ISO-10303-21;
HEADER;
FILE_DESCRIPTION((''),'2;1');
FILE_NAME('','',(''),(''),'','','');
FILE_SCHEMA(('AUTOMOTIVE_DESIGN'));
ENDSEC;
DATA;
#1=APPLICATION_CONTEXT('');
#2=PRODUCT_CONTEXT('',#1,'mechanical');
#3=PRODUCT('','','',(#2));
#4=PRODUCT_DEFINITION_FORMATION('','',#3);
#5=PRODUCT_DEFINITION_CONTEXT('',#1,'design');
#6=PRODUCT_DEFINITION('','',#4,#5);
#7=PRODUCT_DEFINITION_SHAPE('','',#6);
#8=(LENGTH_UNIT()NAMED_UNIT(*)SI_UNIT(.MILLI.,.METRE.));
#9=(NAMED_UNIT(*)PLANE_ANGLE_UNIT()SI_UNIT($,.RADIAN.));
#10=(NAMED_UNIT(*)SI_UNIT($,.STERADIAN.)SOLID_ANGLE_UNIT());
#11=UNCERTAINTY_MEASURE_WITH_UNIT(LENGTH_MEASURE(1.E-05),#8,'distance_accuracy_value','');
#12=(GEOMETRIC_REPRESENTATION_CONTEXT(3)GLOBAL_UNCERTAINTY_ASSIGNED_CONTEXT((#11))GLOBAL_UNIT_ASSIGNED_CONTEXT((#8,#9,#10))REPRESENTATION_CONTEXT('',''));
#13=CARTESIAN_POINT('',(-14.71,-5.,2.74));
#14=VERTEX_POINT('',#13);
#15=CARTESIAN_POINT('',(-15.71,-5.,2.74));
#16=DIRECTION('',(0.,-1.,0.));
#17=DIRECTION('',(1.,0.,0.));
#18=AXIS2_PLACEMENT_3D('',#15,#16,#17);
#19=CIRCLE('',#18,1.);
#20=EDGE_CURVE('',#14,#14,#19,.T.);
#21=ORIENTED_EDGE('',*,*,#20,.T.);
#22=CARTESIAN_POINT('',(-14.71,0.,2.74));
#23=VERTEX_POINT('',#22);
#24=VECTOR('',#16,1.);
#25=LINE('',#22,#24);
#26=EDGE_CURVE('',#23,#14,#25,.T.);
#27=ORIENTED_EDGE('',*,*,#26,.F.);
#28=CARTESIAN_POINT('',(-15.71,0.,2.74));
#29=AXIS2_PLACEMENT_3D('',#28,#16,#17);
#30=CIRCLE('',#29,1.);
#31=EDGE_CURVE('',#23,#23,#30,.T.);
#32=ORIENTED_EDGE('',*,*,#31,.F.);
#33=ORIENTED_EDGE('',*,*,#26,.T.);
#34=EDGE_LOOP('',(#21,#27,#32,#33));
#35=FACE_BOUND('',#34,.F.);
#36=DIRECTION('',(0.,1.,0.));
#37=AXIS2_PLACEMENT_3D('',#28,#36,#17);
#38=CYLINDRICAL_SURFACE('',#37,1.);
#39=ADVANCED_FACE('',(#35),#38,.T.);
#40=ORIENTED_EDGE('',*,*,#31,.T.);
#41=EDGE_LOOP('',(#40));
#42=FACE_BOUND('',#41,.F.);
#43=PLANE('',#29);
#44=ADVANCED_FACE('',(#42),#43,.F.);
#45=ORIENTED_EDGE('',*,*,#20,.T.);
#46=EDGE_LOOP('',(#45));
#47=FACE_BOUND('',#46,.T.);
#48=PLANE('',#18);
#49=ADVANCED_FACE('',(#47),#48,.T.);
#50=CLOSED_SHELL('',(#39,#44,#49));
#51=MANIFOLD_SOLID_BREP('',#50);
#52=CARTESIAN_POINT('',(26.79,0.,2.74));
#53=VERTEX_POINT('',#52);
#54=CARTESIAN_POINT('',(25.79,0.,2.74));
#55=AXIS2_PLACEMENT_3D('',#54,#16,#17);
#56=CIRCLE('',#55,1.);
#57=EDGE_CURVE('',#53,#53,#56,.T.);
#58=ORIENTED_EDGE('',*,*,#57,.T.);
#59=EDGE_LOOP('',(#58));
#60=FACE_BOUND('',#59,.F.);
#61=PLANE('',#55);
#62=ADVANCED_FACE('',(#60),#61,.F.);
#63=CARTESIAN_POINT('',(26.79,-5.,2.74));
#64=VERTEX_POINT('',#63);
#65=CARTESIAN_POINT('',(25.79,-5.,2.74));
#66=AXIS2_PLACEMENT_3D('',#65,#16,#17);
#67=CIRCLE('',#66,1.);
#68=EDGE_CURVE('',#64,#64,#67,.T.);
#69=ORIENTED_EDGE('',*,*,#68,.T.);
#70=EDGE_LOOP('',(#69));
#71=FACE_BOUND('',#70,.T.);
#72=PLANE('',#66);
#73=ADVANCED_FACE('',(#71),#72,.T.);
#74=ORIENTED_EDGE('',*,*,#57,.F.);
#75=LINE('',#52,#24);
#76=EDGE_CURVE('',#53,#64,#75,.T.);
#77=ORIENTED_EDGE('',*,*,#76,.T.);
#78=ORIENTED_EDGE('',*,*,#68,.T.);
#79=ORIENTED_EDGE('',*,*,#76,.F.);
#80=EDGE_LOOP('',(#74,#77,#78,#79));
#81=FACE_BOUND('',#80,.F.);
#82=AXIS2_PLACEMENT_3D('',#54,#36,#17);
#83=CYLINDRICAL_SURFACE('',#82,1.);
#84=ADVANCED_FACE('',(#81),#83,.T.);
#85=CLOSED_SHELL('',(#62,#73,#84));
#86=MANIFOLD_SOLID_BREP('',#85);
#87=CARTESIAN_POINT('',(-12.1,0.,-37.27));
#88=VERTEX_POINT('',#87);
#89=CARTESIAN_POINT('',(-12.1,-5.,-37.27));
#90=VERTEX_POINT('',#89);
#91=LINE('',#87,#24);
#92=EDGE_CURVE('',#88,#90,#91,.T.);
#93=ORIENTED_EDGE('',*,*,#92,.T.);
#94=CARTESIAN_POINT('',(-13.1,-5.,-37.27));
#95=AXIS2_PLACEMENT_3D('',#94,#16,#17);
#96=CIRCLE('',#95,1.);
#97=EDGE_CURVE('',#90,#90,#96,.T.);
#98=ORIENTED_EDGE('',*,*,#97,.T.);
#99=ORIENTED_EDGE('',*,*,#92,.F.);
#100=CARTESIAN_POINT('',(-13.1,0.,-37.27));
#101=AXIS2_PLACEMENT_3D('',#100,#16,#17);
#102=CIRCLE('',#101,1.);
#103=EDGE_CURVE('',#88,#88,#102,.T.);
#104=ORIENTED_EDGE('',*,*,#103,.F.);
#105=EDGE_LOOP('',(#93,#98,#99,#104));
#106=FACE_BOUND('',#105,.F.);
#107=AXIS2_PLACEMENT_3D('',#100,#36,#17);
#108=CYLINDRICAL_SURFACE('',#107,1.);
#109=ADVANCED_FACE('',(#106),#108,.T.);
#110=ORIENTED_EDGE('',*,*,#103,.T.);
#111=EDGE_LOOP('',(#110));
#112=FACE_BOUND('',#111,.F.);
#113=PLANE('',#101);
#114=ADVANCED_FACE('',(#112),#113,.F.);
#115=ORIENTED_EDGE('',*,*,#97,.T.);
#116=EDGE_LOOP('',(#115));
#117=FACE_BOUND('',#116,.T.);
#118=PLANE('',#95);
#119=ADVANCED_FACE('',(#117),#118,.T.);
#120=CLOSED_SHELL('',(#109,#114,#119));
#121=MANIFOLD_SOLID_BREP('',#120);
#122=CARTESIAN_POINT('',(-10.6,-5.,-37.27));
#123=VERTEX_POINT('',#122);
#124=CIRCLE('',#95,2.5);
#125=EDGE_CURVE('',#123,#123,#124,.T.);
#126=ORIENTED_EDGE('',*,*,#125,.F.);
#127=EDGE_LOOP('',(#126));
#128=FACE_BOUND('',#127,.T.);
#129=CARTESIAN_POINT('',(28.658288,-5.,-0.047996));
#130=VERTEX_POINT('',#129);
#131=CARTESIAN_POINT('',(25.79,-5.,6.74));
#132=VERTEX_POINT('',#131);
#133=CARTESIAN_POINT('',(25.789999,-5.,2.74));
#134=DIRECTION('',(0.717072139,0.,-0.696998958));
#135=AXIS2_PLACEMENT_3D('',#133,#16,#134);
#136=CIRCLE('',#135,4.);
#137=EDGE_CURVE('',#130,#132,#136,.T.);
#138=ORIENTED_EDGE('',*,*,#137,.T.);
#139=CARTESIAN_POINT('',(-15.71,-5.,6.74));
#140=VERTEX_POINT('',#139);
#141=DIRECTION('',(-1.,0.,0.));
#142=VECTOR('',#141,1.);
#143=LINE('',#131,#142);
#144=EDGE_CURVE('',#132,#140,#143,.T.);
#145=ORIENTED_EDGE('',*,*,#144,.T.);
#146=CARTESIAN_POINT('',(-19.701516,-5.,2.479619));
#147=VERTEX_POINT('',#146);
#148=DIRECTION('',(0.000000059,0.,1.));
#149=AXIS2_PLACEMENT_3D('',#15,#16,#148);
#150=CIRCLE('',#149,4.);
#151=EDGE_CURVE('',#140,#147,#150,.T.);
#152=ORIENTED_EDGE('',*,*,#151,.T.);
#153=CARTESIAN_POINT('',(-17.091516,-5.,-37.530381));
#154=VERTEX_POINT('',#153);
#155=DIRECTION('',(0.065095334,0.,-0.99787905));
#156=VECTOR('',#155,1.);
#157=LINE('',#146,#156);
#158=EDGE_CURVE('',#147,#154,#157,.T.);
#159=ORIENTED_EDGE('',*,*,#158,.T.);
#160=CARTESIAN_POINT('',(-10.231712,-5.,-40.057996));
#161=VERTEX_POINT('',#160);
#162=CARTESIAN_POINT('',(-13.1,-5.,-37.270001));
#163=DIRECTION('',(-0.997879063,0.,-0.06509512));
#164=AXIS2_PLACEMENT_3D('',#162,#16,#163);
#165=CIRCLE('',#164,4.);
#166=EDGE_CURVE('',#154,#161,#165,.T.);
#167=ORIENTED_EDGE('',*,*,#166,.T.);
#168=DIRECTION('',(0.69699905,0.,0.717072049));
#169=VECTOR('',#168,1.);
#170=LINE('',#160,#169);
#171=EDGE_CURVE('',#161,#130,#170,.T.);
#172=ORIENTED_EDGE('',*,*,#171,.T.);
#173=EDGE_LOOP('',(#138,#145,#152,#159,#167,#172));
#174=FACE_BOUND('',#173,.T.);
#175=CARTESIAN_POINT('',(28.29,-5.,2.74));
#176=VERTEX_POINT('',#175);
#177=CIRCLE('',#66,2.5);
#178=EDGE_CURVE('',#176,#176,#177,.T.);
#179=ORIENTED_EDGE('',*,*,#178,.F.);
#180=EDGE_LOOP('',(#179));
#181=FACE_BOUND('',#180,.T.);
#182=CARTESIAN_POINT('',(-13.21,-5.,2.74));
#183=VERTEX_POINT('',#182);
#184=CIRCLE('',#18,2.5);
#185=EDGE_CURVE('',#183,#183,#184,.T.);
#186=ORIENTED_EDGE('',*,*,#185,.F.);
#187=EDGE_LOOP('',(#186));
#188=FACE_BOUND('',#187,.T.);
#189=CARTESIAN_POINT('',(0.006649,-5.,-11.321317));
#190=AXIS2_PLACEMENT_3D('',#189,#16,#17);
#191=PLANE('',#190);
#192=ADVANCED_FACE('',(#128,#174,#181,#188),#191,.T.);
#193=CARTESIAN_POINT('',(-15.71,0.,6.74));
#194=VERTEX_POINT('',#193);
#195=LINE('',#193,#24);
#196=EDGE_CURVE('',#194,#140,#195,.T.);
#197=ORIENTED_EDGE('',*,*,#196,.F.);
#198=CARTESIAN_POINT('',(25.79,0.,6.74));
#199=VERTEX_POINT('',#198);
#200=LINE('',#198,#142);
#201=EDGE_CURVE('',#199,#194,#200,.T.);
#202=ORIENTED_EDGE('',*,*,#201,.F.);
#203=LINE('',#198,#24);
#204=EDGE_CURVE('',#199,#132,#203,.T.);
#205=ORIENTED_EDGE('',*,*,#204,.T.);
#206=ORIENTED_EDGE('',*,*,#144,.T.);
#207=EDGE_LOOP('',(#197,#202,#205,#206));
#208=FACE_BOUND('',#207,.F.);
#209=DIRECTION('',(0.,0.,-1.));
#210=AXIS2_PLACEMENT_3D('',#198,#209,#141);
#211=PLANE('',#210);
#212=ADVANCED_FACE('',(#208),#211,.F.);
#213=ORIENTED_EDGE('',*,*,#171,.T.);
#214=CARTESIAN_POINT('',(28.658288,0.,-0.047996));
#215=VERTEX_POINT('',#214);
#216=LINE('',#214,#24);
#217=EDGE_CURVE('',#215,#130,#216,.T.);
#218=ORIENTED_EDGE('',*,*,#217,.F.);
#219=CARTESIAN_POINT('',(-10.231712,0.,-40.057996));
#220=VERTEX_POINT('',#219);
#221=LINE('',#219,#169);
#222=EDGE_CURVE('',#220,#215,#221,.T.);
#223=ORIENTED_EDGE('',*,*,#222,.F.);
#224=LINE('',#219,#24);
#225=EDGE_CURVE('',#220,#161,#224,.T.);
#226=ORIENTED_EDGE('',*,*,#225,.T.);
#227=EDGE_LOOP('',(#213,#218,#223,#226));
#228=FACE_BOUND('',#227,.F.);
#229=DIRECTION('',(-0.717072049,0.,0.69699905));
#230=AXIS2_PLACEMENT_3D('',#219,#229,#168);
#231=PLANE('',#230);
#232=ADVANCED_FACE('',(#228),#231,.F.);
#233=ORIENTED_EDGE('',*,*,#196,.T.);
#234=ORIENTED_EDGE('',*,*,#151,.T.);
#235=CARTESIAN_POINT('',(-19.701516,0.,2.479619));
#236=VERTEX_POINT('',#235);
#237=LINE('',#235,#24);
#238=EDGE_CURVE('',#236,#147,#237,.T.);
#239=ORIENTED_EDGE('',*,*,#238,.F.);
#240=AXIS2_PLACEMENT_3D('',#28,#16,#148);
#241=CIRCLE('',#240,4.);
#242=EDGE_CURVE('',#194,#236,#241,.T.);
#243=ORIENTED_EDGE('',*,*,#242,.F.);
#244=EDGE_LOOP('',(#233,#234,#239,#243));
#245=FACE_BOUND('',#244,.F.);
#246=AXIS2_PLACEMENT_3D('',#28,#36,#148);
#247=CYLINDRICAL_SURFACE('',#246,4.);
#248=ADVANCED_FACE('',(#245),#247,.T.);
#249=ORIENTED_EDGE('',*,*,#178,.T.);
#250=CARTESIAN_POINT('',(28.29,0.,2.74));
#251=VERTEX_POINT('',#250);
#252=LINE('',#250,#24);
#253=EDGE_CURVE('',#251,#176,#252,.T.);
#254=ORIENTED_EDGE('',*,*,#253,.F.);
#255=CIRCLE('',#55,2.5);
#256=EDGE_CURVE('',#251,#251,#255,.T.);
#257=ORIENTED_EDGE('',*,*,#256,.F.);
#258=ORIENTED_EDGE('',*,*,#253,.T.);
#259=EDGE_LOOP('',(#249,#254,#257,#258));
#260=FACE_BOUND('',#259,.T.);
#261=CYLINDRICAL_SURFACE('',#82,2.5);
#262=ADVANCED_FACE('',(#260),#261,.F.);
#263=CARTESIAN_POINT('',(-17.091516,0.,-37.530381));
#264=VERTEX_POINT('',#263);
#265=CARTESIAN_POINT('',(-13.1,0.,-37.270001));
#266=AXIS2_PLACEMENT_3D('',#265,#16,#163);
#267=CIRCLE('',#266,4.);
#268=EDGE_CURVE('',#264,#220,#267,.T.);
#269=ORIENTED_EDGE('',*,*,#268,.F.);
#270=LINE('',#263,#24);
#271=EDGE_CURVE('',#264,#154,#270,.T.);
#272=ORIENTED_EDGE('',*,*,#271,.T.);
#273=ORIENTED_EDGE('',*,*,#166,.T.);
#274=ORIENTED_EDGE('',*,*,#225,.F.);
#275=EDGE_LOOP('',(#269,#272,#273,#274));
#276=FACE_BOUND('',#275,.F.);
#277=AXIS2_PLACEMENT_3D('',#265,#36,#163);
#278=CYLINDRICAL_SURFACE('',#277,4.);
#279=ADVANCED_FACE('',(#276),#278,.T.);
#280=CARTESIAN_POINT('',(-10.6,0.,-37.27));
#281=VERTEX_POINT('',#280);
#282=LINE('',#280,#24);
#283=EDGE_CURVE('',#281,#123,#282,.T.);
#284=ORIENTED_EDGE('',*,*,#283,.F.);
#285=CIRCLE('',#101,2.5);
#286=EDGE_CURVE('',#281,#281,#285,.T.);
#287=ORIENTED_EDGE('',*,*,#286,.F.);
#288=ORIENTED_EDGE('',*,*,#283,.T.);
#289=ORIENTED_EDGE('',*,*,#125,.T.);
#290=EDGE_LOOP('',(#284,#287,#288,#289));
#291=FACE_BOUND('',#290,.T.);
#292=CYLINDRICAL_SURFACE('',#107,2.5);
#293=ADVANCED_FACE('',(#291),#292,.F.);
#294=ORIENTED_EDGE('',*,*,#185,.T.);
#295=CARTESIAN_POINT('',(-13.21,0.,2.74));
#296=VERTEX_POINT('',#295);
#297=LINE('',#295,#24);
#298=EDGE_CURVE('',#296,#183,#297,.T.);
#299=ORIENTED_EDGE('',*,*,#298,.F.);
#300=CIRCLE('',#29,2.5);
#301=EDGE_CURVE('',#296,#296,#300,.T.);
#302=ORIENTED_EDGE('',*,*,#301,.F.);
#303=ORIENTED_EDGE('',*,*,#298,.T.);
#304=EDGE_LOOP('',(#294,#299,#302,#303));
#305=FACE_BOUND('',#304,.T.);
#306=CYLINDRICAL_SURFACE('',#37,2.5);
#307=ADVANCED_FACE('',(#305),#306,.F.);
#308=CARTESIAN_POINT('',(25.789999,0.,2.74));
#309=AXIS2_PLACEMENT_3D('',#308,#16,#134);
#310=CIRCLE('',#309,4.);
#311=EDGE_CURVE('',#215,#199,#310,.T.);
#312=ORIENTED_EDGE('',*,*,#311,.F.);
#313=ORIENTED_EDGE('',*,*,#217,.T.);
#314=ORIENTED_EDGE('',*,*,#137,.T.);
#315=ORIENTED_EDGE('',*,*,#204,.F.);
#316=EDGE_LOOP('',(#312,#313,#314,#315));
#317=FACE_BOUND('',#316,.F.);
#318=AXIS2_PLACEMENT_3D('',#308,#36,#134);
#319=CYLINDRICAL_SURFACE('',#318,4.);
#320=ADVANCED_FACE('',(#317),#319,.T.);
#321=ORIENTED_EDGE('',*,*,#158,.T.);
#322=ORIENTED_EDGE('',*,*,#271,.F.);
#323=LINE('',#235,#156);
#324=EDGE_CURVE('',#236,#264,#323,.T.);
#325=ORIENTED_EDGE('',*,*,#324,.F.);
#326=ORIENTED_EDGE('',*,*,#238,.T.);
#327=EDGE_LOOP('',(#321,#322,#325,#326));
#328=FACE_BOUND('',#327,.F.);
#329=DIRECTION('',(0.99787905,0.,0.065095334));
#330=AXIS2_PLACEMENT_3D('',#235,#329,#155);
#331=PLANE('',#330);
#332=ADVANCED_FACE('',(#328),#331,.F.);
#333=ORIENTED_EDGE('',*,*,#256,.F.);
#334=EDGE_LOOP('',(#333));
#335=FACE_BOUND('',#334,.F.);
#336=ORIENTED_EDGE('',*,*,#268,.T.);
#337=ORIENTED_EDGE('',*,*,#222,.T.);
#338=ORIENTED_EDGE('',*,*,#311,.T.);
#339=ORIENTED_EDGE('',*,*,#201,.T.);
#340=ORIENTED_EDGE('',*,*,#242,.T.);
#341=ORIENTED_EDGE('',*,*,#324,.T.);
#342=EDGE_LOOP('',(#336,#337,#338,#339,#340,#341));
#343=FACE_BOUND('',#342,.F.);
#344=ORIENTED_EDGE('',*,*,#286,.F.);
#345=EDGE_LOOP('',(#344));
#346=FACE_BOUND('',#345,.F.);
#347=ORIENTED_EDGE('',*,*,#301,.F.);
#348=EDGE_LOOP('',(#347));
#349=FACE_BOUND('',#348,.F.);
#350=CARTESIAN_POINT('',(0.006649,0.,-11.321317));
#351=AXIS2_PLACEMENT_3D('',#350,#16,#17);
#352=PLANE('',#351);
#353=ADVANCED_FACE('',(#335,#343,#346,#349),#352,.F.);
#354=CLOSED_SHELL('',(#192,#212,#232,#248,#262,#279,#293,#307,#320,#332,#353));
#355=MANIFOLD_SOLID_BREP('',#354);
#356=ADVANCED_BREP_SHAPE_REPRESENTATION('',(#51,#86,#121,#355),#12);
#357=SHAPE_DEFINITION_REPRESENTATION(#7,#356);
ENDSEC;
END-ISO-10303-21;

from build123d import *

# Parameters (mm, degrees)
F0_R     = 2.5
F0_R_2   = 1
F1_DEPTH = 5


with BuildPart() as f1:
    # F0 (on Front) → F1 (new body)
    with BuildSketch(Plane.XZ):
        with BuildLine():
            Line((25.79, 6.74), (-15.71, 6.74))
            ThreePointArc((-15.71, 6.74), (-18.629035, 5.474819), (-19.701516, 2.479619))
            Line((-19.701516, 2.479619), (-17.091516, -37.530381))
            ThreePointArc((-17.091516, -37.530381), (-14.482975, -41.023316), (-10.231712, -40.057996))
            Line((-10.231712, -40.057996), (28.658288, -0.047996))
            ThreePointArc((28.658288, -0.047996), (29.474561, 4.296922), (25.79, 6.74))
        make_face()
        with Locations((-13.1, -37.27)):
            Circle(F0_R, mode=Mode.SUBTRACT)
        with Locations((-15.71, 2.74)):
            Circle(F0_R, mode=Mode.SUBTRACT)
        with Locations((25.79, 2.74)):
            Circle(F0_R, mode=Mode.SUBTRACT)
        with Locations((-15.71, 2.74)):
            Circle(F0_R_2)
        with Locations((25.79, 2.74)):
            Circle(F0_R_2)
        with Locations((-13.1, -37.27)):
            Circle(F0_R_2)
    extrude(amount=F1_DEPTH)


solid = f1.part
